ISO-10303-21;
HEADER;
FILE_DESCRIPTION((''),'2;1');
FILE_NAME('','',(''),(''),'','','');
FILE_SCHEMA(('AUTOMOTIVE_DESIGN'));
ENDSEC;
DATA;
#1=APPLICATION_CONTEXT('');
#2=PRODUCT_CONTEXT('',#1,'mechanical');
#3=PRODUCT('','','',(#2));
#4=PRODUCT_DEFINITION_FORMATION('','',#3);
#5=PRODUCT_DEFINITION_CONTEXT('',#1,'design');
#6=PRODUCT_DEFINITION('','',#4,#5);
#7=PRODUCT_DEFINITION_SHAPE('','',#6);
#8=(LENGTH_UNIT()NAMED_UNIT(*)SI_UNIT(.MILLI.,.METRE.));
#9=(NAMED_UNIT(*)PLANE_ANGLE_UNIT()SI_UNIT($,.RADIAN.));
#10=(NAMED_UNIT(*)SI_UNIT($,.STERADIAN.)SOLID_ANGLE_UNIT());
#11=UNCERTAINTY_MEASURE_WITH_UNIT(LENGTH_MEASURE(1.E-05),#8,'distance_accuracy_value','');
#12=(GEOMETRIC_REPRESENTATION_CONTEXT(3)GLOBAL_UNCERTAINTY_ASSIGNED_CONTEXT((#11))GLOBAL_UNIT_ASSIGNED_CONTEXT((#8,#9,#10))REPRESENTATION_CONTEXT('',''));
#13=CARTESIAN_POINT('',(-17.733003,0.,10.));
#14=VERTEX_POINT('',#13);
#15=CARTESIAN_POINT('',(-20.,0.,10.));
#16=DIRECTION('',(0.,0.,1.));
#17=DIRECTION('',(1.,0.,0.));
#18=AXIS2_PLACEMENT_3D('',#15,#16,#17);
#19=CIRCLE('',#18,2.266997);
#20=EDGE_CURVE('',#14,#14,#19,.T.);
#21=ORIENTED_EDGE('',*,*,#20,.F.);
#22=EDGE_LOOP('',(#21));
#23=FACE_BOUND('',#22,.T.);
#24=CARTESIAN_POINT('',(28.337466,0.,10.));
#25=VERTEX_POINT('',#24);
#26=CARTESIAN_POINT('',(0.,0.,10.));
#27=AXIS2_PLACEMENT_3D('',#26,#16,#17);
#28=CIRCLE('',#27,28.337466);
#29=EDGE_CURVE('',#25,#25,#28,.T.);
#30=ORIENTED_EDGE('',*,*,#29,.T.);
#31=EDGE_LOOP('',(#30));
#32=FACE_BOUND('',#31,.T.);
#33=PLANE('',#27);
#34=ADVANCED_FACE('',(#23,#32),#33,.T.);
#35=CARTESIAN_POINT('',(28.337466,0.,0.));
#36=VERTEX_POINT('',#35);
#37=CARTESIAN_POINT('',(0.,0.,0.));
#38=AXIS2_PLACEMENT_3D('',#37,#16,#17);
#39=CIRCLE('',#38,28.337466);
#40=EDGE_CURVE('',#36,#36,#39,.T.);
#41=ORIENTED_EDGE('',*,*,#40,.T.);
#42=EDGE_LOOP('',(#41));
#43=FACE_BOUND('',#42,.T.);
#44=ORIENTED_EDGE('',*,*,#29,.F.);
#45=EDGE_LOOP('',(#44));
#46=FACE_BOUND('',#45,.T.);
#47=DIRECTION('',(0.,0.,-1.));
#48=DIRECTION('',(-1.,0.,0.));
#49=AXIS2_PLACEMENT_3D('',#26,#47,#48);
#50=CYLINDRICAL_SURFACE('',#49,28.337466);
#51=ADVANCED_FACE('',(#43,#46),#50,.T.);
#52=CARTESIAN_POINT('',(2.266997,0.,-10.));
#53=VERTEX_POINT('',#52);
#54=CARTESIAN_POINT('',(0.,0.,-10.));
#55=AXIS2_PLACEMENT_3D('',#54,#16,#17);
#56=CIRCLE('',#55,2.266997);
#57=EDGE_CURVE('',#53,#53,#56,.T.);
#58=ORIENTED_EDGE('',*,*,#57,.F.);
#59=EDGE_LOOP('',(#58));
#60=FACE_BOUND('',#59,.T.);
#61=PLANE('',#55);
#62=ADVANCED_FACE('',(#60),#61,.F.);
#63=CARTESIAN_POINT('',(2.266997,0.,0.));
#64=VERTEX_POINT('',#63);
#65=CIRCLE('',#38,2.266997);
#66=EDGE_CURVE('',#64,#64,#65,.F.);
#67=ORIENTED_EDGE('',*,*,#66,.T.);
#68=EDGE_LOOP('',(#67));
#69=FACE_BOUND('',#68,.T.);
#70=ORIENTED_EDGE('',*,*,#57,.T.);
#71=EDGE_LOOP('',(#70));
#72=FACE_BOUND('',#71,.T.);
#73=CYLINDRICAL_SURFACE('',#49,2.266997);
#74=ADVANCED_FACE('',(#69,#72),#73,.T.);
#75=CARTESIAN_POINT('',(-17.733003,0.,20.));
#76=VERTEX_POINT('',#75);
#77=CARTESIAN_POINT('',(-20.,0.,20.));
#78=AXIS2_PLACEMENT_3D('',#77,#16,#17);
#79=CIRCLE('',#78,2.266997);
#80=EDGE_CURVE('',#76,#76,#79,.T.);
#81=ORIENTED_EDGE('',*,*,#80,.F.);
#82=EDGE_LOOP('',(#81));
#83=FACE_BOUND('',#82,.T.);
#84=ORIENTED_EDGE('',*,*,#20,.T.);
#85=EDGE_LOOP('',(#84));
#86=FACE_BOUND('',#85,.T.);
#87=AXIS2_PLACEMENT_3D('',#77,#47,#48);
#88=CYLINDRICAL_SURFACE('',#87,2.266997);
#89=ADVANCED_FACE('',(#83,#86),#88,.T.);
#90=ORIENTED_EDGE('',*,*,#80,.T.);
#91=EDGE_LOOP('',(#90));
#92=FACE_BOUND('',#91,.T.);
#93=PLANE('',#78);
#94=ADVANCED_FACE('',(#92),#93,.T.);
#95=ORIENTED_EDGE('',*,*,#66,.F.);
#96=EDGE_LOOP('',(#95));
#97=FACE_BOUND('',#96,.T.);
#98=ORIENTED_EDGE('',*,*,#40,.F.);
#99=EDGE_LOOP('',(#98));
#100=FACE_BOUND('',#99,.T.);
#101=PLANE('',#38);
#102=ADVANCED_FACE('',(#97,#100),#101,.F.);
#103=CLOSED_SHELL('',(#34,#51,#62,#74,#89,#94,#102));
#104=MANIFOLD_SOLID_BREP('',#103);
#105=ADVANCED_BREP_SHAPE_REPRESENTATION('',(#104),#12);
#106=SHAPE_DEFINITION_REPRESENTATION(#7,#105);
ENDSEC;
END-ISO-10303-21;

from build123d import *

# Parameters (mm, degrees)
SKETCH1_R           = 28.337466136
SKETCH1_R_2         = 2.266997291
BOSS_EXTRUDE1_DEPTH = 10
SKETCH1_2_R         = 2.266997291
BOSS_EXTRUDE2_DEPTH = 10
SKETCH1_4_R         = 2.266997291
BOSS_EXTRUDE3_DEPTH = 20


with BuildPart() as part:
    # Sketch1 → Boss-Extrude1 (new body)
    with BuildSketch(Plane.XY):
        Circle(SKETCH1_R)
        Circle(SKETCH1_R_2, mode=Mode.SUBTRACT)
        with Locations((-20, 0)):
            Circle(SKETCH1_R_2, mode=Mode.SUBTRACT)
    extrude(amount=BOSS_EXTRUDE1_DEPTH)

    # Sketch1<2> → Boss-Extrude2 (add, symmetric)
    with BuildSketch(Plane.XY):
        Circle(SKETCH1_2_R)
    extrude(amount=BOSS_EXTRUDE2_DEPTH, both=True)

    # Sketch1<4> → Boss-Extrude3 (add)
    with BuildSketch(Plane.XY):
        with Locations((-20, 0)):
            Circle(SKETCH1_4_R)
    extrude(amount=BOSS_EXTRUDE3_DEPTH)


solid = part.part
